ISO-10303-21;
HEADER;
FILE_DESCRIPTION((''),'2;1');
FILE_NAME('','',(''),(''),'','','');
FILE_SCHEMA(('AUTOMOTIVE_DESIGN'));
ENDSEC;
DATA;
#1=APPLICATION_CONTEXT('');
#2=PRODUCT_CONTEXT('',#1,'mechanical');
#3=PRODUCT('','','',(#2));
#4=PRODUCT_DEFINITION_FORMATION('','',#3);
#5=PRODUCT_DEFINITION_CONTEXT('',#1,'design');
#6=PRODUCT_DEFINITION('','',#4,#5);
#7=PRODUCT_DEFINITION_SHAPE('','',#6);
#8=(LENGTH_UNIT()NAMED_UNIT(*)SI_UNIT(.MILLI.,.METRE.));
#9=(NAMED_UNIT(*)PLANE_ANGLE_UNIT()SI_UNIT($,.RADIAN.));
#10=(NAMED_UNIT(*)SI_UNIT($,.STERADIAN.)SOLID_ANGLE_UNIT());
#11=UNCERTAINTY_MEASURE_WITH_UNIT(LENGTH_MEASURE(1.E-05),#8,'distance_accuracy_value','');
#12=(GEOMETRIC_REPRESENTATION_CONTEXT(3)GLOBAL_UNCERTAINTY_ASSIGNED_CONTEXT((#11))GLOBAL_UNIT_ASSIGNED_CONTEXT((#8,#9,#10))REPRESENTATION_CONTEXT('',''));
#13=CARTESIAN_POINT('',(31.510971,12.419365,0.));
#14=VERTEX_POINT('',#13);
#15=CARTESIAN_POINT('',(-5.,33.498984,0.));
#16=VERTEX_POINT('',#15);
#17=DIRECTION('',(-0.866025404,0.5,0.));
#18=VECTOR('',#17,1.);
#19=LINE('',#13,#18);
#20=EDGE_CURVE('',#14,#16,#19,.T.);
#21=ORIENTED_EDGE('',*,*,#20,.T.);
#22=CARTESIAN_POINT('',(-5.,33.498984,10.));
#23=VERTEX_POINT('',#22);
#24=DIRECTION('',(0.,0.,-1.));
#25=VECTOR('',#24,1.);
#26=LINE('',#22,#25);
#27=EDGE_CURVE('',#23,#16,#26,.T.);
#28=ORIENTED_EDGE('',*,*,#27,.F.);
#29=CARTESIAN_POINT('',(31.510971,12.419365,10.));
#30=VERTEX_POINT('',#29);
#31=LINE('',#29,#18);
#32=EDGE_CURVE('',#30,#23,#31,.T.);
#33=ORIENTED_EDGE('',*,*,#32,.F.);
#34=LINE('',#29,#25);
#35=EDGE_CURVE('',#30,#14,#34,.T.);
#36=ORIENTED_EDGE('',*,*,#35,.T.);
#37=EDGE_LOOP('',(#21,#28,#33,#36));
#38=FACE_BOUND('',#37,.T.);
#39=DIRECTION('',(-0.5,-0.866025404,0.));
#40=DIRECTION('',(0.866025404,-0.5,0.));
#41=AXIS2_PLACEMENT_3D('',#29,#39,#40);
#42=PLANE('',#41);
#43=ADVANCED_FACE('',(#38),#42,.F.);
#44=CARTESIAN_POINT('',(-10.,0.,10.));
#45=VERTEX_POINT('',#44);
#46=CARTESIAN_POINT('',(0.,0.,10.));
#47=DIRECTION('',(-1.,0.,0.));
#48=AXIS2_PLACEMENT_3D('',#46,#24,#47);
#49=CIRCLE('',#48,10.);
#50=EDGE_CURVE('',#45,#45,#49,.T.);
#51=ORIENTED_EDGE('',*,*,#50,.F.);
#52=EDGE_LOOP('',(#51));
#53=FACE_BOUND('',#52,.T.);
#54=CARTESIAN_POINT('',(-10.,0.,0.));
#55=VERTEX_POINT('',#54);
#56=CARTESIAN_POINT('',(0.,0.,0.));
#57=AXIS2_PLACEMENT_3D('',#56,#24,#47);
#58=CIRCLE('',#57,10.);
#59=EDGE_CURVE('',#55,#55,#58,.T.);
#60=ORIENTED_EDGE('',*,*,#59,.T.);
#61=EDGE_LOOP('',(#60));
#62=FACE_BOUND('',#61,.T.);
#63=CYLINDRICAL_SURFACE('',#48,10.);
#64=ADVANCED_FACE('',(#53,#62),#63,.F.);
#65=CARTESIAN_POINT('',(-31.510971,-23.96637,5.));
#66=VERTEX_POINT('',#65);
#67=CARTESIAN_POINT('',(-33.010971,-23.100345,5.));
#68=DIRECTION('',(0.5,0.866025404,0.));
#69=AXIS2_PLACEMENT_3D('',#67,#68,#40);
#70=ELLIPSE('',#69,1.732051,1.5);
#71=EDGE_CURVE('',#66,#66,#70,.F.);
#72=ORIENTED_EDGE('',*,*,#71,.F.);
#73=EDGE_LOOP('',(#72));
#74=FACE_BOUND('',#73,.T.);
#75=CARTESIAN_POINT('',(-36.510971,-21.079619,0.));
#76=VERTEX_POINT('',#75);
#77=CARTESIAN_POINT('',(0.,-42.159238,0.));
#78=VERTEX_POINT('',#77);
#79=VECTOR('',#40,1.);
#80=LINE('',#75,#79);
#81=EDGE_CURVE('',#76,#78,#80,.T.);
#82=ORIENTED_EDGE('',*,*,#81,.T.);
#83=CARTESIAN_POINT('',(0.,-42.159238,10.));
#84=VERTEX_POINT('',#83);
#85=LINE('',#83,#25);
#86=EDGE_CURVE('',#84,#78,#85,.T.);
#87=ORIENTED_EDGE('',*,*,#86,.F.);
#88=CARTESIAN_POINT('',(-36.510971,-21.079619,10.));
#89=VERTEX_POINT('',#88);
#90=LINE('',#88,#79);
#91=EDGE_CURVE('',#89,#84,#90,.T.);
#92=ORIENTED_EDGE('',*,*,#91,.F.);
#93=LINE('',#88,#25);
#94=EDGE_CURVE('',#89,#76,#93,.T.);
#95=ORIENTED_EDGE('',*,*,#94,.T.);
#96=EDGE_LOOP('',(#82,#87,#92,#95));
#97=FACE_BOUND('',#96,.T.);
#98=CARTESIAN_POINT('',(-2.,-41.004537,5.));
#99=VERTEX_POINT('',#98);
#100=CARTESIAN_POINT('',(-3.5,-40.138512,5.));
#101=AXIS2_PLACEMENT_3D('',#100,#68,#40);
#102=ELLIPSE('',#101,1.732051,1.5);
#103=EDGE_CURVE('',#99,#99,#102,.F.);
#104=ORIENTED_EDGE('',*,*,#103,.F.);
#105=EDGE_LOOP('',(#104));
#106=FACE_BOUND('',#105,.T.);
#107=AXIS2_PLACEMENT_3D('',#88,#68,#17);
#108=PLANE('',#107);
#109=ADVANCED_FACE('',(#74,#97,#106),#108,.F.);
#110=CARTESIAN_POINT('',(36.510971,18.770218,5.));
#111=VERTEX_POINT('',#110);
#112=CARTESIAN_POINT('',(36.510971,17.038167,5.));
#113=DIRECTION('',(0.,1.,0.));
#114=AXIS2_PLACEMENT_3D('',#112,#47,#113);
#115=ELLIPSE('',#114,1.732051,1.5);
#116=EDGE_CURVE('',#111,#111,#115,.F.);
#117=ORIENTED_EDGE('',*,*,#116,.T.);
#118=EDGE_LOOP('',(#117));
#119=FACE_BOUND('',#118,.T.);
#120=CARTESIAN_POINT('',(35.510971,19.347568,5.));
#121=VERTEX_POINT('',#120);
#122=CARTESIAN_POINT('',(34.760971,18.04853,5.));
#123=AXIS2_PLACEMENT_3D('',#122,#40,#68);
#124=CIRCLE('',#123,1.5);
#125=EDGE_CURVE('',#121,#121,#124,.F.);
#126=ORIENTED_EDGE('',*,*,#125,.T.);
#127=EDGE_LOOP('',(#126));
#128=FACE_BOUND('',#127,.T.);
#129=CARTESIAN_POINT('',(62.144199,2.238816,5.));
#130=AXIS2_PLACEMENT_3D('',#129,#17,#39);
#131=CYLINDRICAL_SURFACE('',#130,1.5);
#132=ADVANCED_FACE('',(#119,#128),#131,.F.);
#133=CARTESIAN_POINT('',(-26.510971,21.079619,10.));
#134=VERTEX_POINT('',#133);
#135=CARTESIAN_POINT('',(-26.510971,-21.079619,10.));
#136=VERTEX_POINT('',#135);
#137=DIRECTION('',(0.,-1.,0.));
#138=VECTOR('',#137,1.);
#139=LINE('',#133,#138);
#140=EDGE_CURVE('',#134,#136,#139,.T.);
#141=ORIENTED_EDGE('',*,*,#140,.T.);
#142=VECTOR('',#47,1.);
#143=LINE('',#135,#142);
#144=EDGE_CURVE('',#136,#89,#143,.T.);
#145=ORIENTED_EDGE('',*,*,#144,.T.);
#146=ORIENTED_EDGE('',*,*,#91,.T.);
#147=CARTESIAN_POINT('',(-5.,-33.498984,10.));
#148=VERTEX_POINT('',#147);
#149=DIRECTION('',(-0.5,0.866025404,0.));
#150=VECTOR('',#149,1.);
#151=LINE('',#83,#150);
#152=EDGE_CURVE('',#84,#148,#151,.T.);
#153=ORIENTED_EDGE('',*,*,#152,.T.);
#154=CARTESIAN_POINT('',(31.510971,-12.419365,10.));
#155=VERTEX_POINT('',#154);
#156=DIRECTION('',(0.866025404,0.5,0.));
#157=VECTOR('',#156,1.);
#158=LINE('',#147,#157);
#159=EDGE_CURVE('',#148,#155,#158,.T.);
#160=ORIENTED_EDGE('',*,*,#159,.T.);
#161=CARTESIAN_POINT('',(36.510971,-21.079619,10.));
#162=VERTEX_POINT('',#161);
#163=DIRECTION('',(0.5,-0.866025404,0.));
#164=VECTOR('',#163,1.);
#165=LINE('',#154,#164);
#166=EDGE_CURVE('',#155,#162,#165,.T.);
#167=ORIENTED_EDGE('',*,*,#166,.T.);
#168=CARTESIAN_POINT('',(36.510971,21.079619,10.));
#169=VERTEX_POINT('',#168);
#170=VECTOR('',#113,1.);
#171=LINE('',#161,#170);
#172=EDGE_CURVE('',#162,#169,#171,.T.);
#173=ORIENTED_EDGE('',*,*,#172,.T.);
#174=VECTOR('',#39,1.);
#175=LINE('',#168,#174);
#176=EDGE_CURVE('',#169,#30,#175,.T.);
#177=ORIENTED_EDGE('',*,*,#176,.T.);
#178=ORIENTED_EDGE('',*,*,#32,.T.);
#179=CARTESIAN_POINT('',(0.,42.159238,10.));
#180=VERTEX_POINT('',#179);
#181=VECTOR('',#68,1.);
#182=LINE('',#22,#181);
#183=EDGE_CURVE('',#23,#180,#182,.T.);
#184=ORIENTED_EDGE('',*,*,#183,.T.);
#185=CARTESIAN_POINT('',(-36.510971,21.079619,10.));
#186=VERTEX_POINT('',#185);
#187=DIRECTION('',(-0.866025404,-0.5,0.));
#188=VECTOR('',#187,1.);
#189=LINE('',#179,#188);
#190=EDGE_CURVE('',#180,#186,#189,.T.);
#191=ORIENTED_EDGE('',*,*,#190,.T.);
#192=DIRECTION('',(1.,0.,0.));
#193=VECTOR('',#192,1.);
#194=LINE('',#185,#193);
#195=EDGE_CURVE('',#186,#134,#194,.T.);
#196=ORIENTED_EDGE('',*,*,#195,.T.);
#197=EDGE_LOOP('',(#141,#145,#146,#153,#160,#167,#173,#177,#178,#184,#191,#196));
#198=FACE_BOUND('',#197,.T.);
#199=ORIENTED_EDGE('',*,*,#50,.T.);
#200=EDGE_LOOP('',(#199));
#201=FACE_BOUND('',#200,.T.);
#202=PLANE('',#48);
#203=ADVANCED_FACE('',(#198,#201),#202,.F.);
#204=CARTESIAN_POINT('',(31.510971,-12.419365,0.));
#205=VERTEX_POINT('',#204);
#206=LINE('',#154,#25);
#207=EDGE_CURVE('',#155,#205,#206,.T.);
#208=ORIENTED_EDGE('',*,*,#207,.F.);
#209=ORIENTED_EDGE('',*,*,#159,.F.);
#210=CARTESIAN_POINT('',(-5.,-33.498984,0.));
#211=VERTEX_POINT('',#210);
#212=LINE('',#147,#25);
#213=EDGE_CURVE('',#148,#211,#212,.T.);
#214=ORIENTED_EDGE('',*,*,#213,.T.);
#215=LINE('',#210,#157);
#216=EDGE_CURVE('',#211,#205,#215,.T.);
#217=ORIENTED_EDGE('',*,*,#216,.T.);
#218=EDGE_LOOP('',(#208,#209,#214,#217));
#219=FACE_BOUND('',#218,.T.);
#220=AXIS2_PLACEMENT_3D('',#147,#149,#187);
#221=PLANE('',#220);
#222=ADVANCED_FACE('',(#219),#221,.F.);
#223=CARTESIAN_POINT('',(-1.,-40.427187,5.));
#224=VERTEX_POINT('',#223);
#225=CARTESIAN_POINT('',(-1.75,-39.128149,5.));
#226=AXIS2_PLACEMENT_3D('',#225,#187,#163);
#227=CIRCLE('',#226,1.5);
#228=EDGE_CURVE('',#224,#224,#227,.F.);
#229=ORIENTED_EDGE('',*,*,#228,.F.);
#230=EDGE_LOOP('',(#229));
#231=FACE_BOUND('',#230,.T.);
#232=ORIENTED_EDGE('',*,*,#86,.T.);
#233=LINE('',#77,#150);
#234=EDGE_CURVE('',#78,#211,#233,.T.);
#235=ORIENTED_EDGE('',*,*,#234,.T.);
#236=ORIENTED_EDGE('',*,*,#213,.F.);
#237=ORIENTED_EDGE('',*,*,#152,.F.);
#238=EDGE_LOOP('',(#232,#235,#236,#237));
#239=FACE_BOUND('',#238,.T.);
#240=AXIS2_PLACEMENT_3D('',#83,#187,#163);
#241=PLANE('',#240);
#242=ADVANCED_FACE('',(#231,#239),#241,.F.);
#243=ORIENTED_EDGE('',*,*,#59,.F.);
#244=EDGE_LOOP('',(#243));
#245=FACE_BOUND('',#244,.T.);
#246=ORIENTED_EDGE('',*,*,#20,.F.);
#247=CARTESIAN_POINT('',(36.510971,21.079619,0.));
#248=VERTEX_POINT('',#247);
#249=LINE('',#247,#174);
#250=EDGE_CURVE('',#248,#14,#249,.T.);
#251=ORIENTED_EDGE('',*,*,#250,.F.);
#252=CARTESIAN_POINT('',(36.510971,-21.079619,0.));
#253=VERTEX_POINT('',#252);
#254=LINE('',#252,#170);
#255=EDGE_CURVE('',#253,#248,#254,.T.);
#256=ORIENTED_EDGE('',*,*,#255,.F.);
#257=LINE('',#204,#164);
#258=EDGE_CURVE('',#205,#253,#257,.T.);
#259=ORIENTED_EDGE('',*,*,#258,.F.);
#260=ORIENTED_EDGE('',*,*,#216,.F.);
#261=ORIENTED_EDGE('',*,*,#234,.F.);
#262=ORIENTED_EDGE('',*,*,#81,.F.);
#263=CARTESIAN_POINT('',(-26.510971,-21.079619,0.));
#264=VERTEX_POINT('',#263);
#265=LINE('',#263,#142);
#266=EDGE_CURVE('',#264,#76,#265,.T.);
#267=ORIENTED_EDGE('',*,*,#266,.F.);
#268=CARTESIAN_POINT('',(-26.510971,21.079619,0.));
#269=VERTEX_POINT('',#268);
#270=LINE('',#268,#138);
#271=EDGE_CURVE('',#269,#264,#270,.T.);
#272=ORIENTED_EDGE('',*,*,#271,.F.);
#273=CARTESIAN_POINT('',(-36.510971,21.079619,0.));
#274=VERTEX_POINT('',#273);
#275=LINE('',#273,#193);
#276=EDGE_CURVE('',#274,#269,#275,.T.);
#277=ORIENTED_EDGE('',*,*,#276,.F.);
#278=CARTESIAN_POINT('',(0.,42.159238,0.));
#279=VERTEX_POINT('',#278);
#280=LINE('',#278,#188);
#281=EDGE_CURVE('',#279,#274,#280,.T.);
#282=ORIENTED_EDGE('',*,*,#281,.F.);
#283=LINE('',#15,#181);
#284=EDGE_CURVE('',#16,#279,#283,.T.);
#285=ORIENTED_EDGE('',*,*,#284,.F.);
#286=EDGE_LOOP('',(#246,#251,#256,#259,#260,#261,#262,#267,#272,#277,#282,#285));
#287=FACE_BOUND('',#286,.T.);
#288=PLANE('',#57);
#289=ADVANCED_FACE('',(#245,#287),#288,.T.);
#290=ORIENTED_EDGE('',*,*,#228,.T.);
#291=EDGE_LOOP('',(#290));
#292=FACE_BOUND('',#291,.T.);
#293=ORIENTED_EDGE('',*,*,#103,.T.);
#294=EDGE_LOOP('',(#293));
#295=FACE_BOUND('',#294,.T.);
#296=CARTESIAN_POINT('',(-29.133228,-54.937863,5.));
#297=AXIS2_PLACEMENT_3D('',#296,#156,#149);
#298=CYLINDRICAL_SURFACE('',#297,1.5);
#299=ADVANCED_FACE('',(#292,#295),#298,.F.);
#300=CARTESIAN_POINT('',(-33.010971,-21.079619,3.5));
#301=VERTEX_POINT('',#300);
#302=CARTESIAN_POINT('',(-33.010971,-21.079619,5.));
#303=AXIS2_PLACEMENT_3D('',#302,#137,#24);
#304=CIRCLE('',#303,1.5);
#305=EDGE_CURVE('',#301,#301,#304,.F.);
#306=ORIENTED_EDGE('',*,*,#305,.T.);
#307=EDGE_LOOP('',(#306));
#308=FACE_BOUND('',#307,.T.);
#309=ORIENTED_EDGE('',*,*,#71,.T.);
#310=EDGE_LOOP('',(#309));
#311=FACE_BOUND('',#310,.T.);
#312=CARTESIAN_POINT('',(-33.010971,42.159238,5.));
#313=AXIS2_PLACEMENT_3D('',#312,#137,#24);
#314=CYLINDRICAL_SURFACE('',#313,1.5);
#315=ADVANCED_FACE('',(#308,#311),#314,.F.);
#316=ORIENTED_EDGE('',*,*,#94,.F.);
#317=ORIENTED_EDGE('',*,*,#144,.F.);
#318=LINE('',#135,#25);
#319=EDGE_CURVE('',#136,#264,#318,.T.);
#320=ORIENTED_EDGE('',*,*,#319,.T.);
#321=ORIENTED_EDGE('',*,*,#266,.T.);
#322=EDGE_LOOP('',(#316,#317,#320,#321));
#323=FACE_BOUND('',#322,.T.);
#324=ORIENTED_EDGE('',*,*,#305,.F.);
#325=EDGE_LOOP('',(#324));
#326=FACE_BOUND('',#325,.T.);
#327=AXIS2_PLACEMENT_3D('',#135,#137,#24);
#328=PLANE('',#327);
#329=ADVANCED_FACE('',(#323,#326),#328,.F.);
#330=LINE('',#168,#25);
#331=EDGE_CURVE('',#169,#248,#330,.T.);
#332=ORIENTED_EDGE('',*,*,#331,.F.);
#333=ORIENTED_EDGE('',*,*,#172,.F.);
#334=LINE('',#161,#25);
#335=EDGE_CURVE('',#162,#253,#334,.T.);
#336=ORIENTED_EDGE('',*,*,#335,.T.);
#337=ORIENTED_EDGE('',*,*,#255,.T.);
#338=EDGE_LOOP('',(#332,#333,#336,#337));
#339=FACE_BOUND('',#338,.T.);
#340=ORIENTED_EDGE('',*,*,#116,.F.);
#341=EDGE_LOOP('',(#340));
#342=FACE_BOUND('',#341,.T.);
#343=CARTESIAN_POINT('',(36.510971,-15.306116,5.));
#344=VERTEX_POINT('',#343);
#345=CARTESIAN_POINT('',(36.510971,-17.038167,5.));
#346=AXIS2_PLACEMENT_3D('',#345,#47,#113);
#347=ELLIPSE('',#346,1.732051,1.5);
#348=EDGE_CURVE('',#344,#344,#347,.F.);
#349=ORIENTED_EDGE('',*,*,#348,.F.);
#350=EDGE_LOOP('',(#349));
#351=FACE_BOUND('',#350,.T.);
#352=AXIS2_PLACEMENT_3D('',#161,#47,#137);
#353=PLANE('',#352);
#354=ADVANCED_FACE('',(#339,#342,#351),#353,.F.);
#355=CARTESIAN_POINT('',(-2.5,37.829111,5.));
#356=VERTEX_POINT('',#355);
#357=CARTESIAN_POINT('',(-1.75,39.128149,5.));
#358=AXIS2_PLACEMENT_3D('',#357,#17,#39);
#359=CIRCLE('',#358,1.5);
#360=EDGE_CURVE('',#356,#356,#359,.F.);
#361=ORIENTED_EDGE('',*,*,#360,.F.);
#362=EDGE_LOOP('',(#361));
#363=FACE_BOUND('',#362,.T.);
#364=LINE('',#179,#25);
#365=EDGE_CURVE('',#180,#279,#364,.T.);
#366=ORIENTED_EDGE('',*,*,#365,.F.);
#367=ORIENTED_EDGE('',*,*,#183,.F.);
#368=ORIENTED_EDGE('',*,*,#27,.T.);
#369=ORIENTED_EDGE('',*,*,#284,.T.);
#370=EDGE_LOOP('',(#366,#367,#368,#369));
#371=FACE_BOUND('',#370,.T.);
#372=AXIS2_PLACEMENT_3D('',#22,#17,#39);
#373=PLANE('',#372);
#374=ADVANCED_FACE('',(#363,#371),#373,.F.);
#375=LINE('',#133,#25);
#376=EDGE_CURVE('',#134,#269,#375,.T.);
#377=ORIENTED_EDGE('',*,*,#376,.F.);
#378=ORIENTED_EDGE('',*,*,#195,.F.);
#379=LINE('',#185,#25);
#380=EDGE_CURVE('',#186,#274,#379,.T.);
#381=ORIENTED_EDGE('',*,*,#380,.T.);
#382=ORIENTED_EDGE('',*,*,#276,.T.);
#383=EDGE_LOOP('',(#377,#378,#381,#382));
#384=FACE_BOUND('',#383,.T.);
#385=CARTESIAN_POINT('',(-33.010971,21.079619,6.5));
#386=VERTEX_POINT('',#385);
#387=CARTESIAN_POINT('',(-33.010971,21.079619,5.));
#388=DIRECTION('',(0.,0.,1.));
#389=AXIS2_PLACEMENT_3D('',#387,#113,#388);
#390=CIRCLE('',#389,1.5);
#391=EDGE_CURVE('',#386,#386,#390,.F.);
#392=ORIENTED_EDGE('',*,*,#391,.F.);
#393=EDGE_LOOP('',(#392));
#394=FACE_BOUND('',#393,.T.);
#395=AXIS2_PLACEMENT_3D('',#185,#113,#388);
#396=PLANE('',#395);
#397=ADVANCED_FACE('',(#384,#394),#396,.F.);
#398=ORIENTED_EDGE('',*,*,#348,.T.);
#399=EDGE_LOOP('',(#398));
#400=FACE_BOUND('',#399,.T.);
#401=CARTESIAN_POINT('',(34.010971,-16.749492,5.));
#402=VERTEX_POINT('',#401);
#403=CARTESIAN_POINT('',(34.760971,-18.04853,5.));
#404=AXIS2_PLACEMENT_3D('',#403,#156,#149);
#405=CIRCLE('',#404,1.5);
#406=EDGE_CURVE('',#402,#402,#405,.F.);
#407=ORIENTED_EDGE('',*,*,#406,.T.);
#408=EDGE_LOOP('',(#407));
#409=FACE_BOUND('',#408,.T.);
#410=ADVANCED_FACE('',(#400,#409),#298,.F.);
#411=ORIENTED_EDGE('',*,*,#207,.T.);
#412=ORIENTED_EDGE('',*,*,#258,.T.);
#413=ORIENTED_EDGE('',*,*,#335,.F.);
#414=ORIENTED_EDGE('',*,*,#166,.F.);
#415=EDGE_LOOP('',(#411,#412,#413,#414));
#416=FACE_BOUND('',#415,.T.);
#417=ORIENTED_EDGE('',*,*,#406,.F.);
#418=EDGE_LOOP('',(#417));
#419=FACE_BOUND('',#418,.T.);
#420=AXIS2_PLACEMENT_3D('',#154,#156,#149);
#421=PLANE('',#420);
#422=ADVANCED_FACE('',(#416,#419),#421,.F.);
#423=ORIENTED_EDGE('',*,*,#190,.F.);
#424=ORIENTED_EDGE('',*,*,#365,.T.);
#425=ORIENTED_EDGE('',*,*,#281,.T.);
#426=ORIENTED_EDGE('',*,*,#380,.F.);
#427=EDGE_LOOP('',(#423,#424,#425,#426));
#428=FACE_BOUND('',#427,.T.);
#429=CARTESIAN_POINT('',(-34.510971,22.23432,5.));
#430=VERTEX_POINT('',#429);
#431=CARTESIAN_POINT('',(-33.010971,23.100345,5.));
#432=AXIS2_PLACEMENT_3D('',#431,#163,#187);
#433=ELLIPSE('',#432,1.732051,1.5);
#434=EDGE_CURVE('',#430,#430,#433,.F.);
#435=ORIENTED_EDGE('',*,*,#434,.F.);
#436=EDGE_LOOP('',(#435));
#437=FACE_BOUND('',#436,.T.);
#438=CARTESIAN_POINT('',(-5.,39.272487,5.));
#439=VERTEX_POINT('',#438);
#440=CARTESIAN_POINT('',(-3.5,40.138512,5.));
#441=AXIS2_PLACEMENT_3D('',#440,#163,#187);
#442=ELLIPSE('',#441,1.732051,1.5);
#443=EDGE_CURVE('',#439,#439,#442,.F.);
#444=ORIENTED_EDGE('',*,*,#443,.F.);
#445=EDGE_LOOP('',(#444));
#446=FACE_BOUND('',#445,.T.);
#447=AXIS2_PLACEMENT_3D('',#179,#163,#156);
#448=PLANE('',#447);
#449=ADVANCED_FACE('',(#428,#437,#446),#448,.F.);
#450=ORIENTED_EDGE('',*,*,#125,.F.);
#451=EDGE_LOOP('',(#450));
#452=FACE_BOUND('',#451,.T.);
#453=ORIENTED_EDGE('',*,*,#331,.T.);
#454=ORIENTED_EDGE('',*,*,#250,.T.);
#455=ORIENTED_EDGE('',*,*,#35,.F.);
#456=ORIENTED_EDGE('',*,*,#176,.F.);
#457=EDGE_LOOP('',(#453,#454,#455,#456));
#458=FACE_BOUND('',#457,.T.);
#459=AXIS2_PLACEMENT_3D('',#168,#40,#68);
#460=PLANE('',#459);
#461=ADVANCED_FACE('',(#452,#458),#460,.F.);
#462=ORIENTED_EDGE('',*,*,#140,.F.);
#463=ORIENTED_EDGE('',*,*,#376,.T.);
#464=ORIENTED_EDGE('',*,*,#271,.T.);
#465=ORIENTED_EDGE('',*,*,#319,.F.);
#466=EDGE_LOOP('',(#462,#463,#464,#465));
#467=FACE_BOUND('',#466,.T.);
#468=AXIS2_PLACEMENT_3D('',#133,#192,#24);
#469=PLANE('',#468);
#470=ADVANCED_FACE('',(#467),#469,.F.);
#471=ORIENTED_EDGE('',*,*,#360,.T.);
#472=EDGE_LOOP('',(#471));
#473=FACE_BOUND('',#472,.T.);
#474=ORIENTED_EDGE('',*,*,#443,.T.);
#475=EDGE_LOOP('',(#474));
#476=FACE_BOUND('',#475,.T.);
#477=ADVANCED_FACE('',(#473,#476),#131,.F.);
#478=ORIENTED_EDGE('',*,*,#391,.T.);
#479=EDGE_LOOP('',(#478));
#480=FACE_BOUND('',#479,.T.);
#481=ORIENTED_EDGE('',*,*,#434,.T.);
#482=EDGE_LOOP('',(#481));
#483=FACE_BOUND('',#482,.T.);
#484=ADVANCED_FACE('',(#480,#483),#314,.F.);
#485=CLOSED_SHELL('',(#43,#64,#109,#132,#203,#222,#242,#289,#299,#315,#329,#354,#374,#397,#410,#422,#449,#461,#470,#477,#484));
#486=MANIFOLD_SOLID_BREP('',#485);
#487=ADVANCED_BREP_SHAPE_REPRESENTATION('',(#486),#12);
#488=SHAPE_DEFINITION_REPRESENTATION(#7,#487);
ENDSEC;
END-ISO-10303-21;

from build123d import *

# Parameters (mm, degrees)
BOSS_EXTRUDE1_DEPTH = 10
SKETCH3_R           = 1.5
CUT_EXTRUDE1_DEPTH  = 74.703487344
SKETCH5_R           = 10
CUT_EXTRUDE2_DEPTH  = 10
CIRPATTERN1_COUNT   = 3


with BuildPart() as part:
    # Sketch1 → Boss-Extrude1 (new body)
    with BuildSketch(Plane.XY):
        Polygon((-36.510971114, 21.079619001), (-26.510971114, 21.079619001), (-26.510971114, -21.079619001), (-36.510971114, -21.079619001), (0, -42.159238002), (-5, -33.498983964), (31.510971114, -12.419364963), (36.510971114, -21.079619001), (36.510971114, 21.079619001), (31.510971114, 12.419364963), (-5, 33.498983964), (0, 42.159238002), align=None)
    extrude(amount=BOSS_EXTRUDE1_DEPTH)

    # Sketch3 → Cut-Extrude1 (cut, symmetric)
    with BuildSketch(Plane(origin=(0, -21.079619001, 0), x_dir=(1, 0, 0), z_dir=(0, 1, 0))):
        with Locations(Location((-33.010971114, -5, 0), (0, 0, 90))):
            Circle(SKETCH3_R)
    cut_extrude1 = extrude(amount=CUT_EXTRUDE1_DEPTH, both=True, mode=Mode.SUBTRACT)

    # Sketch5 → Cut-Extrude2 (cut)
    with BuildSketch(Plane(origin=(0, 0, 0), x_dir=(-1, 0, 0), z_dir=(0, 0, -1))):
        Circle(SKETCH5_R)
    extrude(amount=-CUT_EXTRUDE2_DEPTH, mode=Mode.SUBTRACT)

    # CirPattern1: Cut-Extrude1 ×3 about axis
    cirpattern1_axis = Axis((0, 0, 10), (0, 0, -1))
    for i in range(1, CIRPATTERN1_COUNT):
        add(cut_extrude1.rotate(cirpattern1_axis, i * 360 / CIRPATTERN1_COUNT), mode=Mode.SUBTRACT)


solid = part.part
